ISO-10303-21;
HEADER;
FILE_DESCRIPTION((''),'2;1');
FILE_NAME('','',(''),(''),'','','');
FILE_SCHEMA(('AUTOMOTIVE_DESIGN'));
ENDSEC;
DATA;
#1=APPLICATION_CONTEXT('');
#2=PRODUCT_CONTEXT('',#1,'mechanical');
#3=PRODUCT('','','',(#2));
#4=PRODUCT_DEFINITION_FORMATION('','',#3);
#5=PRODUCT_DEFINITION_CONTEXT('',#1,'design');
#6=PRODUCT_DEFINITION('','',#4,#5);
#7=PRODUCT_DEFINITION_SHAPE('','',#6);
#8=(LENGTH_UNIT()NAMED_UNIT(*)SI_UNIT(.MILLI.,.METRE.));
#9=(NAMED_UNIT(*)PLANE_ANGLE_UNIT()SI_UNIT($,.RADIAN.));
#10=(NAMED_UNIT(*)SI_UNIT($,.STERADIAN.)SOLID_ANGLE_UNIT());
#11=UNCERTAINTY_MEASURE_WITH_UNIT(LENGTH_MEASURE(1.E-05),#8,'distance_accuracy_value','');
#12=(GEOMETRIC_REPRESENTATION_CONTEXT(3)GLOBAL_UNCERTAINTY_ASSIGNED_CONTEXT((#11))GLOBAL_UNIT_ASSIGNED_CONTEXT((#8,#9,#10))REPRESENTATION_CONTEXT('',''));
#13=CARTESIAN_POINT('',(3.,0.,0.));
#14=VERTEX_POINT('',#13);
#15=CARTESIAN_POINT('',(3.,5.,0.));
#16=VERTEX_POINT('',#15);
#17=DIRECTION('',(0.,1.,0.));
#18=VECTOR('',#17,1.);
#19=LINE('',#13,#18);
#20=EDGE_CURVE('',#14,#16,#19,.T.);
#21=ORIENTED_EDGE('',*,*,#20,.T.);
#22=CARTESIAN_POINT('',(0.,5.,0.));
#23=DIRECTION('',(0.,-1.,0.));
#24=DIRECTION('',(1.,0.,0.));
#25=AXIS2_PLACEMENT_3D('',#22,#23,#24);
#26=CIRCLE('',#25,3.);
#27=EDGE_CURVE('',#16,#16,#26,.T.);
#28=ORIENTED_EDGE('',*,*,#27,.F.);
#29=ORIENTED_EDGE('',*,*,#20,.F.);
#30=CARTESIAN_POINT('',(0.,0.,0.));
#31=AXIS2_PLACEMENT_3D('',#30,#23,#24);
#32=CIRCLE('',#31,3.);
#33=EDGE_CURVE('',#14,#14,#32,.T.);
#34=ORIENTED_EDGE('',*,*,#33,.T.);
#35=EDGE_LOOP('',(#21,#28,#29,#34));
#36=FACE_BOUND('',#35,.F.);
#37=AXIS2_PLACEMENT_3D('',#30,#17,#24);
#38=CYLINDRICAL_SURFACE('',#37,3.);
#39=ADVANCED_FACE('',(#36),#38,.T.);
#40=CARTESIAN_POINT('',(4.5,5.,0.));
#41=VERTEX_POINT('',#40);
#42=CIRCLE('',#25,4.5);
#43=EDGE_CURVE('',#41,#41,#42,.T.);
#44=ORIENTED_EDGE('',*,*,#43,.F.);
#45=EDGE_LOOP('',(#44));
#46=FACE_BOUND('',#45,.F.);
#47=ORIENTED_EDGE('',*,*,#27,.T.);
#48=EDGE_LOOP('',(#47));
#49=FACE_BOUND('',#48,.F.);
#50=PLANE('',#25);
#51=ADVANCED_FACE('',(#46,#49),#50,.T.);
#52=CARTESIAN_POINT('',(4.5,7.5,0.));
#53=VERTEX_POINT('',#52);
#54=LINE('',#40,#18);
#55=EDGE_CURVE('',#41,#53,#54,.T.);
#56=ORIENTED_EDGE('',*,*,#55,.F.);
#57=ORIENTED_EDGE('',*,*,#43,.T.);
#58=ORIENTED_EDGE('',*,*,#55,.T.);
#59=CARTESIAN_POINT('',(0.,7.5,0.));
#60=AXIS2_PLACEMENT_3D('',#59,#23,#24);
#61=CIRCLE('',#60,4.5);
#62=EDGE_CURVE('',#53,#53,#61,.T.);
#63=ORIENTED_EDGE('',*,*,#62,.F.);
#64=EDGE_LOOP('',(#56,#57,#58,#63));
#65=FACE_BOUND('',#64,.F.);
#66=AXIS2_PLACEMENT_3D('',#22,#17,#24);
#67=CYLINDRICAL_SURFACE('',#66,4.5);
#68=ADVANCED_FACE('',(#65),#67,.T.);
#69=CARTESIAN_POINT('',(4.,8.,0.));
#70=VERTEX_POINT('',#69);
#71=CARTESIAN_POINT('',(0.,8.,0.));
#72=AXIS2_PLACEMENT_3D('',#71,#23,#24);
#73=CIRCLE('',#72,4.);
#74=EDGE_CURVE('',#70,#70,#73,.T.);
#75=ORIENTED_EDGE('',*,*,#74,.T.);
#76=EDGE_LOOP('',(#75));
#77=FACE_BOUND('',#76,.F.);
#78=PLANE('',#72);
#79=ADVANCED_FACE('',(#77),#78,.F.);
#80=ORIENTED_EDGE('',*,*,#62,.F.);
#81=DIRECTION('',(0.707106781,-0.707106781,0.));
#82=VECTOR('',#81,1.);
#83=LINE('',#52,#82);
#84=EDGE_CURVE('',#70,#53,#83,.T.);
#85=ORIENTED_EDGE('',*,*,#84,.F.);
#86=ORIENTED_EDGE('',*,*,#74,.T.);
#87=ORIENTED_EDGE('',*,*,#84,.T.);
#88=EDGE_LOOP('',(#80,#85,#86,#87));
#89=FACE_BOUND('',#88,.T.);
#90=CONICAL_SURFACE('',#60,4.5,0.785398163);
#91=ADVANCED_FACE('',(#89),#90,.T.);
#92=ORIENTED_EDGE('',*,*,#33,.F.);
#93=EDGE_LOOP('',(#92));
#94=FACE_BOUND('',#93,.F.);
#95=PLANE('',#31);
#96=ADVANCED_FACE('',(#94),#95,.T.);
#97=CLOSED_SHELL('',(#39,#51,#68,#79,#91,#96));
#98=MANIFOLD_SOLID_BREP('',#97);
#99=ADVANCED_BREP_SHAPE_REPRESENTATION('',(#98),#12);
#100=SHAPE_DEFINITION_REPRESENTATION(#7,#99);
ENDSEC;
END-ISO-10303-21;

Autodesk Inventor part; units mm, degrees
ref_plane "YZ Plane" through (0, 0, 0) normal (1, 0, 0) x (0, 1, 0)
ref_plane "XZ Plane" through (0, 0, 0) normal (0, 1, 0) x (-1, 0, 0)
ref_plane "XY Plane" through (0, 0, 0) normal (0, 0, 1) x (1, 0, 0)
sketch "Sketch1" plane through (0, 0, 0) normal (0, 0, 1) x (1, 0, 0)
  line L0 (0, 0) -> (3, 0)
  line L1 (3, 0) -> (3, 5)
  line L2 (3, 5) -> (4.5, 5)
  line L3 (4.5, 5) -> (4.5, 8)
  line L4 (4.5, 8) -> (0, 8)
  line L5 (0, 8) -> (0, 0)
  dimension "d0" = 9
  dimension "d1" = 6
  dimension "d2" = 5
  dimension "d3" = 3
revolve "Revolution1" add sketch "Sketch1" angle 360 about axis through (0, 8, 0) along (0, -1, 0)
thread "Thread1" size "M6x1" class "6g" standard "ISO Metric profile" full length
chamfer "Chamfer1" distance 0.5 angle 45 1 edges at (-4.5, 8, 0)
properties part number "155 part 2" material "Lead"
